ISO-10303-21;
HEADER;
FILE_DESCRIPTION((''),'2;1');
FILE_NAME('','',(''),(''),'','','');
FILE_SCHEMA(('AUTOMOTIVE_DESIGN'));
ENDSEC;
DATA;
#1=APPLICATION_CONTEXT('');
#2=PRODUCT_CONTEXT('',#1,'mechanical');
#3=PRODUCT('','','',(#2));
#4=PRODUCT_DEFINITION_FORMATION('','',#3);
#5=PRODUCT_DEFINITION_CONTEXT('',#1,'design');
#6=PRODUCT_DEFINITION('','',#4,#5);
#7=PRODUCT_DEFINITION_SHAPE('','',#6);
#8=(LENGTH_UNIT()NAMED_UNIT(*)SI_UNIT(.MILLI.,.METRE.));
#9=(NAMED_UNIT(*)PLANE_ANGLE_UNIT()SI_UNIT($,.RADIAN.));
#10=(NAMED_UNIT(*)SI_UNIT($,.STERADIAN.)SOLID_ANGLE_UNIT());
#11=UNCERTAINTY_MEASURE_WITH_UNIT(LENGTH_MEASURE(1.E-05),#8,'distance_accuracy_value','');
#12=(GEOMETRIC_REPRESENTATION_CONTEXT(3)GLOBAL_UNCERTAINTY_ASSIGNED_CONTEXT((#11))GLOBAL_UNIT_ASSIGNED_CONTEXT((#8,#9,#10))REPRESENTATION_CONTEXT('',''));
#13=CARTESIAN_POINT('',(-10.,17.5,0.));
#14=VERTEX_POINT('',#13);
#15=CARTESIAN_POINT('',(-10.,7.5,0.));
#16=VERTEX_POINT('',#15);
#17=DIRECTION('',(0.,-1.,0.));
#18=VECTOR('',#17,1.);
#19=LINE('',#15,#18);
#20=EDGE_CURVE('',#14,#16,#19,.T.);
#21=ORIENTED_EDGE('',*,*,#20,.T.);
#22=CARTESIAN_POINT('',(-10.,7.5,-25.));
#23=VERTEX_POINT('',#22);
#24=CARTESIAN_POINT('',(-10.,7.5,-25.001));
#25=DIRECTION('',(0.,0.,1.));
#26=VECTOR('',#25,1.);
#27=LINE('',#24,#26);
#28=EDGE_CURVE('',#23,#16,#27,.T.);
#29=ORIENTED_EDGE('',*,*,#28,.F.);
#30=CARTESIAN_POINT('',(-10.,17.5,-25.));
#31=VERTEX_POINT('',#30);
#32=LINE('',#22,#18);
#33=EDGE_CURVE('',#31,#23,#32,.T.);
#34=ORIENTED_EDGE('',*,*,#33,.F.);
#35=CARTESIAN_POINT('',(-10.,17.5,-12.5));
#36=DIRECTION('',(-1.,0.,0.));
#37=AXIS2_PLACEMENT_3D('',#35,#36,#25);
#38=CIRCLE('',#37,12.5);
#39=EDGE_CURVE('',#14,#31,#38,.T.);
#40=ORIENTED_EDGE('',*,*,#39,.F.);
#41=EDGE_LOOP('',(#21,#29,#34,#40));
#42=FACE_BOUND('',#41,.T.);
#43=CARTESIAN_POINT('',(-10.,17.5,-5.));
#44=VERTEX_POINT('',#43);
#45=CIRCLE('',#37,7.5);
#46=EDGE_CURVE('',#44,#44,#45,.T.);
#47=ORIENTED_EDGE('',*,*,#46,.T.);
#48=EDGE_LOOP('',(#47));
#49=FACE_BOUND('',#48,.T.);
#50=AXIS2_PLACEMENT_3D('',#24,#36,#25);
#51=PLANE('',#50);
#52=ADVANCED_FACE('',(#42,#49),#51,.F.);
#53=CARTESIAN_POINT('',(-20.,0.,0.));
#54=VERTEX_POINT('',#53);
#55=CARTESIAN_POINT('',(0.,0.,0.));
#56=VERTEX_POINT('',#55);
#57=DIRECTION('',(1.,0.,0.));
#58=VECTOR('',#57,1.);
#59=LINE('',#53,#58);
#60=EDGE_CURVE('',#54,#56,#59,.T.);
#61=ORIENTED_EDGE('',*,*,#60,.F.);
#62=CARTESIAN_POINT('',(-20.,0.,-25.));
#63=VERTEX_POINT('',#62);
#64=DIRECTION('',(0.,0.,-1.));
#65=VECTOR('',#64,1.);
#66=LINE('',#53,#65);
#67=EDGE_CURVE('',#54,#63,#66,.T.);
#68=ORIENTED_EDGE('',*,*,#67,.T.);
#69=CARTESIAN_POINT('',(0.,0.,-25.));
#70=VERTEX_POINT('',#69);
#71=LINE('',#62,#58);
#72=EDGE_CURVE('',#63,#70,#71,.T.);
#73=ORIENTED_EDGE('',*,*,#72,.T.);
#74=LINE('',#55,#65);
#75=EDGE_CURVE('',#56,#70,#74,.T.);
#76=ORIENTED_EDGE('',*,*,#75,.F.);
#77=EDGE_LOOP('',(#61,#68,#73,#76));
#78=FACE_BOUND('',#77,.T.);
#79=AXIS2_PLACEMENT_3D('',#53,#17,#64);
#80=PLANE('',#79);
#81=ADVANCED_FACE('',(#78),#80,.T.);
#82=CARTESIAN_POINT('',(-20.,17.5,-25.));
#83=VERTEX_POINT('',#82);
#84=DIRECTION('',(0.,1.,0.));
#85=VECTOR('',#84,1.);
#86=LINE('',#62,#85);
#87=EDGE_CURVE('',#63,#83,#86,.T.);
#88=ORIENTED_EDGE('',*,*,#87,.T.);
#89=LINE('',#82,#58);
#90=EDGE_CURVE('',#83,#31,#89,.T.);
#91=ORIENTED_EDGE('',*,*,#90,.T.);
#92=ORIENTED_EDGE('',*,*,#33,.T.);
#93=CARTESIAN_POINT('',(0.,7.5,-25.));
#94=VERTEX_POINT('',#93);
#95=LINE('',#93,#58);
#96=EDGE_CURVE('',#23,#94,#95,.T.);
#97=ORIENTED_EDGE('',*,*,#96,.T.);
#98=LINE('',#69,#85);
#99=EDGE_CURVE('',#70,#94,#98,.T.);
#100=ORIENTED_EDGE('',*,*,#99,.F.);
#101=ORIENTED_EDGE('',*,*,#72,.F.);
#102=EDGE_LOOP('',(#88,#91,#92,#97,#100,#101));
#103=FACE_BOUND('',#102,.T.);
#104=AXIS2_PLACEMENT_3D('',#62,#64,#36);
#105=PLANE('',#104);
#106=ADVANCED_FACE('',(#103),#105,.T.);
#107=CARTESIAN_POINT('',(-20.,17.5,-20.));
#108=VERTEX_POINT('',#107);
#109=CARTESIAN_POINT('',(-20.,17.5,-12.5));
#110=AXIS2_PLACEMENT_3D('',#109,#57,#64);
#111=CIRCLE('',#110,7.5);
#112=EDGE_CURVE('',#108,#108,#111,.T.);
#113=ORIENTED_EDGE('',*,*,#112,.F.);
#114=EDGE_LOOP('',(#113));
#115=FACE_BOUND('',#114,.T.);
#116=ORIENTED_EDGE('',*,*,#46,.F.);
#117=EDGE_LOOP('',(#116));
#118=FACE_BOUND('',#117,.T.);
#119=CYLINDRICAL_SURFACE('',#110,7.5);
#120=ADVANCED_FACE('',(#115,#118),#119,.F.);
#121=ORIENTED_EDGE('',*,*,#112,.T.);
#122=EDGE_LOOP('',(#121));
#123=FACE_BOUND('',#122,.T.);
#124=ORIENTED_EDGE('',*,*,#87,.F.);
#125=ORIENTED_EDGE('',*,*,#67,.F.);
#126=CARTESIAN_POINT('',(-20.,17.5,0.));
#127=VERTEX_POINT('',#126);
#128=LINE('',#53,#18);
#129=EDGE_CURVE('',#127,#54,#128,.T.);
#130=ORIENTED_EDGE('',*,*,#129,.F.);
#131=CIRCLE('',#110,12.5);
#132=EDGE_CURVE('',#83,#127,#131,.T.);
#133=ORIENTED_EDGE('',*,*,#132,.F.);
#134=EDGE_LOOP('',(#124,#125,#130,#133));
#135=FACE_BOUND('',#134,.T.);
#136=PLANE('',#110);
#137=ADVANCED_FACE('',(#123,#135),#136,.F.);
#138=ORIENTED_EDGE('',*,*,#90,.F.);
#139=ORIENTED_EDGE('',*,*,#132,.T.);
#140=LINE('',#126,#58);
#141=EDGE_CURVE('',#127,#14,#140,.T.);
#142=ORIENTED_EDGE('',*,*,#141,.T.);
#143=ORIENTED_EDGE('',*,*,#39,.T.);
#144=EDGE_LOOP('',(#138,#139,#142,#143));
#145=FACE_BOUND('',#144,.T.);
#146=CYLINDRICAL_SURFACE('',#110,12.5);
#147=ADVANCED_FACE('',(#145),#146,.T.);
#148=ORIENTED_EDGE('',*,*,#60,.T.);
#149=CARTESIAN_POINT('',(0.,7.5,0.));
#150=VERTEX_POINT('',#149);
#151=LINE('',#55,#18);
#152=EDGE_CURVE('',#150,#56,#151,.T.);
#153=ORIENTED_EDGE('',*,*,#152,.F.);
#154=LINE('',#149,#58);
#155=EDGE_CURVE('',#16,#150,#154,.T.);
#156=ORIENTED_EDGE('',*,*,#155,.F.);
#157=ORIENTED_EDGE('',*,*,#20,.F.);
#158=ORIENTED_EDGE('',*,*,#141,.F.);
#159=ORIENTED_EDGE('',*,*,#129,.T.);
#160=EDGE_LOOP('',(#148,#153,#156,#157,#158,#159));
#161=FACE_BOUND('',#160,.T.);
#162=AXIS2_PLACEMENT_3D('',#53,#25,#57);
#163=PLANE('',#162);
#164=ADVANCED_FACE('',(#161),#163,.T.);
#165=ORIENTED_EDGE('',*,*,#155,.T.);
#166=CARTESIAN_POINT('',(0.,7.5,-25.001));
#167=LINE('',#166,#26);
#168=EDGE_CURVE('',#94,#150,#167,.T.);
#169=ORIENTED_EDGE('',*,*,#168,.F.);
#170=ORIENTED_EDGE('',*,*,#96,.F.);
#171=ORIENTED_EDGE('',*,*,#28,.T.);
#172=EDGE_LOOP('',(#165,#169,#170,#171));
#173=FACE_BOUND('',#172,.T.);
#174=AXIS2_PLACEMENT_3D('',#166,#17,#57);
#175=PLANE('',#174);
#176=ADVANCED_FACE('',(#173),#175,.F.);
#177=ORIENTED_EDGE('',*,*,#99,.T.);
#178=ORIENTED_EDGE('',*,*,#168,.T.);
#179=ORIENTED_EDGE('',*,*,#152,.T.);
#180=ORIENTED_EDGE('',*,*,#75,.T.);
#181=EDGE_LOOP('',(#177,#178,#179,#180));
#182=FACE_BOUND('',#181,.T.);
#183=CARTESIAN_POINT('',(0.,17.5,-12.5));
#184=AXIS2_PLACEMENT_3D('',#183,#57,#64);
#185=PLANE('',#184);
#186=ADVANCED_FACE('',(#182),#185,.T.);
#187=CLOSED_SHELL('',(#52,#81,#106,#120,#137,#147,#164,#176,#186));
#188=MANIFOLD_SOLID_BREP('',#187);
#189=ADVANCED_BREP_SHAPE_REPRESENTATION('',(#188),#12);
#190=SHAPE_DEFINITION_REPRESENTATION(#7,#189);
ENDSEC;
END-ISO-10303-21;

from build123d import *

# Parameters (mm, degrees)
CROQUIS1_R              = 7.5
SALIENTE_EXTRUIR1_DEPTH = 20
CORTAR_EXTRUIR1_REACH   = 27
CROQUIS2_W              = 10
CROQUIS2_H              = 22.5


with BuildPart() as part:
    # Croquis1 → Saliente-Extruir1 (new body)
    with BuildSketch(Plane(origin=(0, 0, 0), x_dir=(0, 0, -1), z_dir=(1, 0, 0))):
        with BuildLine():
            Line((0, 0), (25, 0))
            Line((25, 0), (25, 17.5))
            ThreePointArc((25, 17.5), (12.5, 30), (0, 17.5))
            Line((0, 17.5), (0, 0))
        make_face()
        with Locations((12.5, 17.5)):
            Circle(CROQUIS1_R, mode=Mode.SUBTRACT)
    extrude(amount=-SALIENTE_EXTRUIR1_DEPTH)

    # Croquis2 → Cortar-Extruir1 (cut, up to next)
    with BuildSketch(Plane.XY, mode=Mode.PRIVATE) as cortar_extruir1_sk1:
        with Locations((-5, 18.75)):
            Rectangle(CROQUIS2_W, CROQUIS2_H)
    cortar_extruir1_tool1 = extrude(cortar_extruir1_sk1.sketch, amount=-CORTAR_EXTRUIR1_REACH, mode=Mode.PRIVATE) & part.part
    add(cortar_extruir1_tool1.solids().sort_by_distance((-5, 18.75, 0))[0], mode=Mode.SUBTRACT)


solid = part.part
